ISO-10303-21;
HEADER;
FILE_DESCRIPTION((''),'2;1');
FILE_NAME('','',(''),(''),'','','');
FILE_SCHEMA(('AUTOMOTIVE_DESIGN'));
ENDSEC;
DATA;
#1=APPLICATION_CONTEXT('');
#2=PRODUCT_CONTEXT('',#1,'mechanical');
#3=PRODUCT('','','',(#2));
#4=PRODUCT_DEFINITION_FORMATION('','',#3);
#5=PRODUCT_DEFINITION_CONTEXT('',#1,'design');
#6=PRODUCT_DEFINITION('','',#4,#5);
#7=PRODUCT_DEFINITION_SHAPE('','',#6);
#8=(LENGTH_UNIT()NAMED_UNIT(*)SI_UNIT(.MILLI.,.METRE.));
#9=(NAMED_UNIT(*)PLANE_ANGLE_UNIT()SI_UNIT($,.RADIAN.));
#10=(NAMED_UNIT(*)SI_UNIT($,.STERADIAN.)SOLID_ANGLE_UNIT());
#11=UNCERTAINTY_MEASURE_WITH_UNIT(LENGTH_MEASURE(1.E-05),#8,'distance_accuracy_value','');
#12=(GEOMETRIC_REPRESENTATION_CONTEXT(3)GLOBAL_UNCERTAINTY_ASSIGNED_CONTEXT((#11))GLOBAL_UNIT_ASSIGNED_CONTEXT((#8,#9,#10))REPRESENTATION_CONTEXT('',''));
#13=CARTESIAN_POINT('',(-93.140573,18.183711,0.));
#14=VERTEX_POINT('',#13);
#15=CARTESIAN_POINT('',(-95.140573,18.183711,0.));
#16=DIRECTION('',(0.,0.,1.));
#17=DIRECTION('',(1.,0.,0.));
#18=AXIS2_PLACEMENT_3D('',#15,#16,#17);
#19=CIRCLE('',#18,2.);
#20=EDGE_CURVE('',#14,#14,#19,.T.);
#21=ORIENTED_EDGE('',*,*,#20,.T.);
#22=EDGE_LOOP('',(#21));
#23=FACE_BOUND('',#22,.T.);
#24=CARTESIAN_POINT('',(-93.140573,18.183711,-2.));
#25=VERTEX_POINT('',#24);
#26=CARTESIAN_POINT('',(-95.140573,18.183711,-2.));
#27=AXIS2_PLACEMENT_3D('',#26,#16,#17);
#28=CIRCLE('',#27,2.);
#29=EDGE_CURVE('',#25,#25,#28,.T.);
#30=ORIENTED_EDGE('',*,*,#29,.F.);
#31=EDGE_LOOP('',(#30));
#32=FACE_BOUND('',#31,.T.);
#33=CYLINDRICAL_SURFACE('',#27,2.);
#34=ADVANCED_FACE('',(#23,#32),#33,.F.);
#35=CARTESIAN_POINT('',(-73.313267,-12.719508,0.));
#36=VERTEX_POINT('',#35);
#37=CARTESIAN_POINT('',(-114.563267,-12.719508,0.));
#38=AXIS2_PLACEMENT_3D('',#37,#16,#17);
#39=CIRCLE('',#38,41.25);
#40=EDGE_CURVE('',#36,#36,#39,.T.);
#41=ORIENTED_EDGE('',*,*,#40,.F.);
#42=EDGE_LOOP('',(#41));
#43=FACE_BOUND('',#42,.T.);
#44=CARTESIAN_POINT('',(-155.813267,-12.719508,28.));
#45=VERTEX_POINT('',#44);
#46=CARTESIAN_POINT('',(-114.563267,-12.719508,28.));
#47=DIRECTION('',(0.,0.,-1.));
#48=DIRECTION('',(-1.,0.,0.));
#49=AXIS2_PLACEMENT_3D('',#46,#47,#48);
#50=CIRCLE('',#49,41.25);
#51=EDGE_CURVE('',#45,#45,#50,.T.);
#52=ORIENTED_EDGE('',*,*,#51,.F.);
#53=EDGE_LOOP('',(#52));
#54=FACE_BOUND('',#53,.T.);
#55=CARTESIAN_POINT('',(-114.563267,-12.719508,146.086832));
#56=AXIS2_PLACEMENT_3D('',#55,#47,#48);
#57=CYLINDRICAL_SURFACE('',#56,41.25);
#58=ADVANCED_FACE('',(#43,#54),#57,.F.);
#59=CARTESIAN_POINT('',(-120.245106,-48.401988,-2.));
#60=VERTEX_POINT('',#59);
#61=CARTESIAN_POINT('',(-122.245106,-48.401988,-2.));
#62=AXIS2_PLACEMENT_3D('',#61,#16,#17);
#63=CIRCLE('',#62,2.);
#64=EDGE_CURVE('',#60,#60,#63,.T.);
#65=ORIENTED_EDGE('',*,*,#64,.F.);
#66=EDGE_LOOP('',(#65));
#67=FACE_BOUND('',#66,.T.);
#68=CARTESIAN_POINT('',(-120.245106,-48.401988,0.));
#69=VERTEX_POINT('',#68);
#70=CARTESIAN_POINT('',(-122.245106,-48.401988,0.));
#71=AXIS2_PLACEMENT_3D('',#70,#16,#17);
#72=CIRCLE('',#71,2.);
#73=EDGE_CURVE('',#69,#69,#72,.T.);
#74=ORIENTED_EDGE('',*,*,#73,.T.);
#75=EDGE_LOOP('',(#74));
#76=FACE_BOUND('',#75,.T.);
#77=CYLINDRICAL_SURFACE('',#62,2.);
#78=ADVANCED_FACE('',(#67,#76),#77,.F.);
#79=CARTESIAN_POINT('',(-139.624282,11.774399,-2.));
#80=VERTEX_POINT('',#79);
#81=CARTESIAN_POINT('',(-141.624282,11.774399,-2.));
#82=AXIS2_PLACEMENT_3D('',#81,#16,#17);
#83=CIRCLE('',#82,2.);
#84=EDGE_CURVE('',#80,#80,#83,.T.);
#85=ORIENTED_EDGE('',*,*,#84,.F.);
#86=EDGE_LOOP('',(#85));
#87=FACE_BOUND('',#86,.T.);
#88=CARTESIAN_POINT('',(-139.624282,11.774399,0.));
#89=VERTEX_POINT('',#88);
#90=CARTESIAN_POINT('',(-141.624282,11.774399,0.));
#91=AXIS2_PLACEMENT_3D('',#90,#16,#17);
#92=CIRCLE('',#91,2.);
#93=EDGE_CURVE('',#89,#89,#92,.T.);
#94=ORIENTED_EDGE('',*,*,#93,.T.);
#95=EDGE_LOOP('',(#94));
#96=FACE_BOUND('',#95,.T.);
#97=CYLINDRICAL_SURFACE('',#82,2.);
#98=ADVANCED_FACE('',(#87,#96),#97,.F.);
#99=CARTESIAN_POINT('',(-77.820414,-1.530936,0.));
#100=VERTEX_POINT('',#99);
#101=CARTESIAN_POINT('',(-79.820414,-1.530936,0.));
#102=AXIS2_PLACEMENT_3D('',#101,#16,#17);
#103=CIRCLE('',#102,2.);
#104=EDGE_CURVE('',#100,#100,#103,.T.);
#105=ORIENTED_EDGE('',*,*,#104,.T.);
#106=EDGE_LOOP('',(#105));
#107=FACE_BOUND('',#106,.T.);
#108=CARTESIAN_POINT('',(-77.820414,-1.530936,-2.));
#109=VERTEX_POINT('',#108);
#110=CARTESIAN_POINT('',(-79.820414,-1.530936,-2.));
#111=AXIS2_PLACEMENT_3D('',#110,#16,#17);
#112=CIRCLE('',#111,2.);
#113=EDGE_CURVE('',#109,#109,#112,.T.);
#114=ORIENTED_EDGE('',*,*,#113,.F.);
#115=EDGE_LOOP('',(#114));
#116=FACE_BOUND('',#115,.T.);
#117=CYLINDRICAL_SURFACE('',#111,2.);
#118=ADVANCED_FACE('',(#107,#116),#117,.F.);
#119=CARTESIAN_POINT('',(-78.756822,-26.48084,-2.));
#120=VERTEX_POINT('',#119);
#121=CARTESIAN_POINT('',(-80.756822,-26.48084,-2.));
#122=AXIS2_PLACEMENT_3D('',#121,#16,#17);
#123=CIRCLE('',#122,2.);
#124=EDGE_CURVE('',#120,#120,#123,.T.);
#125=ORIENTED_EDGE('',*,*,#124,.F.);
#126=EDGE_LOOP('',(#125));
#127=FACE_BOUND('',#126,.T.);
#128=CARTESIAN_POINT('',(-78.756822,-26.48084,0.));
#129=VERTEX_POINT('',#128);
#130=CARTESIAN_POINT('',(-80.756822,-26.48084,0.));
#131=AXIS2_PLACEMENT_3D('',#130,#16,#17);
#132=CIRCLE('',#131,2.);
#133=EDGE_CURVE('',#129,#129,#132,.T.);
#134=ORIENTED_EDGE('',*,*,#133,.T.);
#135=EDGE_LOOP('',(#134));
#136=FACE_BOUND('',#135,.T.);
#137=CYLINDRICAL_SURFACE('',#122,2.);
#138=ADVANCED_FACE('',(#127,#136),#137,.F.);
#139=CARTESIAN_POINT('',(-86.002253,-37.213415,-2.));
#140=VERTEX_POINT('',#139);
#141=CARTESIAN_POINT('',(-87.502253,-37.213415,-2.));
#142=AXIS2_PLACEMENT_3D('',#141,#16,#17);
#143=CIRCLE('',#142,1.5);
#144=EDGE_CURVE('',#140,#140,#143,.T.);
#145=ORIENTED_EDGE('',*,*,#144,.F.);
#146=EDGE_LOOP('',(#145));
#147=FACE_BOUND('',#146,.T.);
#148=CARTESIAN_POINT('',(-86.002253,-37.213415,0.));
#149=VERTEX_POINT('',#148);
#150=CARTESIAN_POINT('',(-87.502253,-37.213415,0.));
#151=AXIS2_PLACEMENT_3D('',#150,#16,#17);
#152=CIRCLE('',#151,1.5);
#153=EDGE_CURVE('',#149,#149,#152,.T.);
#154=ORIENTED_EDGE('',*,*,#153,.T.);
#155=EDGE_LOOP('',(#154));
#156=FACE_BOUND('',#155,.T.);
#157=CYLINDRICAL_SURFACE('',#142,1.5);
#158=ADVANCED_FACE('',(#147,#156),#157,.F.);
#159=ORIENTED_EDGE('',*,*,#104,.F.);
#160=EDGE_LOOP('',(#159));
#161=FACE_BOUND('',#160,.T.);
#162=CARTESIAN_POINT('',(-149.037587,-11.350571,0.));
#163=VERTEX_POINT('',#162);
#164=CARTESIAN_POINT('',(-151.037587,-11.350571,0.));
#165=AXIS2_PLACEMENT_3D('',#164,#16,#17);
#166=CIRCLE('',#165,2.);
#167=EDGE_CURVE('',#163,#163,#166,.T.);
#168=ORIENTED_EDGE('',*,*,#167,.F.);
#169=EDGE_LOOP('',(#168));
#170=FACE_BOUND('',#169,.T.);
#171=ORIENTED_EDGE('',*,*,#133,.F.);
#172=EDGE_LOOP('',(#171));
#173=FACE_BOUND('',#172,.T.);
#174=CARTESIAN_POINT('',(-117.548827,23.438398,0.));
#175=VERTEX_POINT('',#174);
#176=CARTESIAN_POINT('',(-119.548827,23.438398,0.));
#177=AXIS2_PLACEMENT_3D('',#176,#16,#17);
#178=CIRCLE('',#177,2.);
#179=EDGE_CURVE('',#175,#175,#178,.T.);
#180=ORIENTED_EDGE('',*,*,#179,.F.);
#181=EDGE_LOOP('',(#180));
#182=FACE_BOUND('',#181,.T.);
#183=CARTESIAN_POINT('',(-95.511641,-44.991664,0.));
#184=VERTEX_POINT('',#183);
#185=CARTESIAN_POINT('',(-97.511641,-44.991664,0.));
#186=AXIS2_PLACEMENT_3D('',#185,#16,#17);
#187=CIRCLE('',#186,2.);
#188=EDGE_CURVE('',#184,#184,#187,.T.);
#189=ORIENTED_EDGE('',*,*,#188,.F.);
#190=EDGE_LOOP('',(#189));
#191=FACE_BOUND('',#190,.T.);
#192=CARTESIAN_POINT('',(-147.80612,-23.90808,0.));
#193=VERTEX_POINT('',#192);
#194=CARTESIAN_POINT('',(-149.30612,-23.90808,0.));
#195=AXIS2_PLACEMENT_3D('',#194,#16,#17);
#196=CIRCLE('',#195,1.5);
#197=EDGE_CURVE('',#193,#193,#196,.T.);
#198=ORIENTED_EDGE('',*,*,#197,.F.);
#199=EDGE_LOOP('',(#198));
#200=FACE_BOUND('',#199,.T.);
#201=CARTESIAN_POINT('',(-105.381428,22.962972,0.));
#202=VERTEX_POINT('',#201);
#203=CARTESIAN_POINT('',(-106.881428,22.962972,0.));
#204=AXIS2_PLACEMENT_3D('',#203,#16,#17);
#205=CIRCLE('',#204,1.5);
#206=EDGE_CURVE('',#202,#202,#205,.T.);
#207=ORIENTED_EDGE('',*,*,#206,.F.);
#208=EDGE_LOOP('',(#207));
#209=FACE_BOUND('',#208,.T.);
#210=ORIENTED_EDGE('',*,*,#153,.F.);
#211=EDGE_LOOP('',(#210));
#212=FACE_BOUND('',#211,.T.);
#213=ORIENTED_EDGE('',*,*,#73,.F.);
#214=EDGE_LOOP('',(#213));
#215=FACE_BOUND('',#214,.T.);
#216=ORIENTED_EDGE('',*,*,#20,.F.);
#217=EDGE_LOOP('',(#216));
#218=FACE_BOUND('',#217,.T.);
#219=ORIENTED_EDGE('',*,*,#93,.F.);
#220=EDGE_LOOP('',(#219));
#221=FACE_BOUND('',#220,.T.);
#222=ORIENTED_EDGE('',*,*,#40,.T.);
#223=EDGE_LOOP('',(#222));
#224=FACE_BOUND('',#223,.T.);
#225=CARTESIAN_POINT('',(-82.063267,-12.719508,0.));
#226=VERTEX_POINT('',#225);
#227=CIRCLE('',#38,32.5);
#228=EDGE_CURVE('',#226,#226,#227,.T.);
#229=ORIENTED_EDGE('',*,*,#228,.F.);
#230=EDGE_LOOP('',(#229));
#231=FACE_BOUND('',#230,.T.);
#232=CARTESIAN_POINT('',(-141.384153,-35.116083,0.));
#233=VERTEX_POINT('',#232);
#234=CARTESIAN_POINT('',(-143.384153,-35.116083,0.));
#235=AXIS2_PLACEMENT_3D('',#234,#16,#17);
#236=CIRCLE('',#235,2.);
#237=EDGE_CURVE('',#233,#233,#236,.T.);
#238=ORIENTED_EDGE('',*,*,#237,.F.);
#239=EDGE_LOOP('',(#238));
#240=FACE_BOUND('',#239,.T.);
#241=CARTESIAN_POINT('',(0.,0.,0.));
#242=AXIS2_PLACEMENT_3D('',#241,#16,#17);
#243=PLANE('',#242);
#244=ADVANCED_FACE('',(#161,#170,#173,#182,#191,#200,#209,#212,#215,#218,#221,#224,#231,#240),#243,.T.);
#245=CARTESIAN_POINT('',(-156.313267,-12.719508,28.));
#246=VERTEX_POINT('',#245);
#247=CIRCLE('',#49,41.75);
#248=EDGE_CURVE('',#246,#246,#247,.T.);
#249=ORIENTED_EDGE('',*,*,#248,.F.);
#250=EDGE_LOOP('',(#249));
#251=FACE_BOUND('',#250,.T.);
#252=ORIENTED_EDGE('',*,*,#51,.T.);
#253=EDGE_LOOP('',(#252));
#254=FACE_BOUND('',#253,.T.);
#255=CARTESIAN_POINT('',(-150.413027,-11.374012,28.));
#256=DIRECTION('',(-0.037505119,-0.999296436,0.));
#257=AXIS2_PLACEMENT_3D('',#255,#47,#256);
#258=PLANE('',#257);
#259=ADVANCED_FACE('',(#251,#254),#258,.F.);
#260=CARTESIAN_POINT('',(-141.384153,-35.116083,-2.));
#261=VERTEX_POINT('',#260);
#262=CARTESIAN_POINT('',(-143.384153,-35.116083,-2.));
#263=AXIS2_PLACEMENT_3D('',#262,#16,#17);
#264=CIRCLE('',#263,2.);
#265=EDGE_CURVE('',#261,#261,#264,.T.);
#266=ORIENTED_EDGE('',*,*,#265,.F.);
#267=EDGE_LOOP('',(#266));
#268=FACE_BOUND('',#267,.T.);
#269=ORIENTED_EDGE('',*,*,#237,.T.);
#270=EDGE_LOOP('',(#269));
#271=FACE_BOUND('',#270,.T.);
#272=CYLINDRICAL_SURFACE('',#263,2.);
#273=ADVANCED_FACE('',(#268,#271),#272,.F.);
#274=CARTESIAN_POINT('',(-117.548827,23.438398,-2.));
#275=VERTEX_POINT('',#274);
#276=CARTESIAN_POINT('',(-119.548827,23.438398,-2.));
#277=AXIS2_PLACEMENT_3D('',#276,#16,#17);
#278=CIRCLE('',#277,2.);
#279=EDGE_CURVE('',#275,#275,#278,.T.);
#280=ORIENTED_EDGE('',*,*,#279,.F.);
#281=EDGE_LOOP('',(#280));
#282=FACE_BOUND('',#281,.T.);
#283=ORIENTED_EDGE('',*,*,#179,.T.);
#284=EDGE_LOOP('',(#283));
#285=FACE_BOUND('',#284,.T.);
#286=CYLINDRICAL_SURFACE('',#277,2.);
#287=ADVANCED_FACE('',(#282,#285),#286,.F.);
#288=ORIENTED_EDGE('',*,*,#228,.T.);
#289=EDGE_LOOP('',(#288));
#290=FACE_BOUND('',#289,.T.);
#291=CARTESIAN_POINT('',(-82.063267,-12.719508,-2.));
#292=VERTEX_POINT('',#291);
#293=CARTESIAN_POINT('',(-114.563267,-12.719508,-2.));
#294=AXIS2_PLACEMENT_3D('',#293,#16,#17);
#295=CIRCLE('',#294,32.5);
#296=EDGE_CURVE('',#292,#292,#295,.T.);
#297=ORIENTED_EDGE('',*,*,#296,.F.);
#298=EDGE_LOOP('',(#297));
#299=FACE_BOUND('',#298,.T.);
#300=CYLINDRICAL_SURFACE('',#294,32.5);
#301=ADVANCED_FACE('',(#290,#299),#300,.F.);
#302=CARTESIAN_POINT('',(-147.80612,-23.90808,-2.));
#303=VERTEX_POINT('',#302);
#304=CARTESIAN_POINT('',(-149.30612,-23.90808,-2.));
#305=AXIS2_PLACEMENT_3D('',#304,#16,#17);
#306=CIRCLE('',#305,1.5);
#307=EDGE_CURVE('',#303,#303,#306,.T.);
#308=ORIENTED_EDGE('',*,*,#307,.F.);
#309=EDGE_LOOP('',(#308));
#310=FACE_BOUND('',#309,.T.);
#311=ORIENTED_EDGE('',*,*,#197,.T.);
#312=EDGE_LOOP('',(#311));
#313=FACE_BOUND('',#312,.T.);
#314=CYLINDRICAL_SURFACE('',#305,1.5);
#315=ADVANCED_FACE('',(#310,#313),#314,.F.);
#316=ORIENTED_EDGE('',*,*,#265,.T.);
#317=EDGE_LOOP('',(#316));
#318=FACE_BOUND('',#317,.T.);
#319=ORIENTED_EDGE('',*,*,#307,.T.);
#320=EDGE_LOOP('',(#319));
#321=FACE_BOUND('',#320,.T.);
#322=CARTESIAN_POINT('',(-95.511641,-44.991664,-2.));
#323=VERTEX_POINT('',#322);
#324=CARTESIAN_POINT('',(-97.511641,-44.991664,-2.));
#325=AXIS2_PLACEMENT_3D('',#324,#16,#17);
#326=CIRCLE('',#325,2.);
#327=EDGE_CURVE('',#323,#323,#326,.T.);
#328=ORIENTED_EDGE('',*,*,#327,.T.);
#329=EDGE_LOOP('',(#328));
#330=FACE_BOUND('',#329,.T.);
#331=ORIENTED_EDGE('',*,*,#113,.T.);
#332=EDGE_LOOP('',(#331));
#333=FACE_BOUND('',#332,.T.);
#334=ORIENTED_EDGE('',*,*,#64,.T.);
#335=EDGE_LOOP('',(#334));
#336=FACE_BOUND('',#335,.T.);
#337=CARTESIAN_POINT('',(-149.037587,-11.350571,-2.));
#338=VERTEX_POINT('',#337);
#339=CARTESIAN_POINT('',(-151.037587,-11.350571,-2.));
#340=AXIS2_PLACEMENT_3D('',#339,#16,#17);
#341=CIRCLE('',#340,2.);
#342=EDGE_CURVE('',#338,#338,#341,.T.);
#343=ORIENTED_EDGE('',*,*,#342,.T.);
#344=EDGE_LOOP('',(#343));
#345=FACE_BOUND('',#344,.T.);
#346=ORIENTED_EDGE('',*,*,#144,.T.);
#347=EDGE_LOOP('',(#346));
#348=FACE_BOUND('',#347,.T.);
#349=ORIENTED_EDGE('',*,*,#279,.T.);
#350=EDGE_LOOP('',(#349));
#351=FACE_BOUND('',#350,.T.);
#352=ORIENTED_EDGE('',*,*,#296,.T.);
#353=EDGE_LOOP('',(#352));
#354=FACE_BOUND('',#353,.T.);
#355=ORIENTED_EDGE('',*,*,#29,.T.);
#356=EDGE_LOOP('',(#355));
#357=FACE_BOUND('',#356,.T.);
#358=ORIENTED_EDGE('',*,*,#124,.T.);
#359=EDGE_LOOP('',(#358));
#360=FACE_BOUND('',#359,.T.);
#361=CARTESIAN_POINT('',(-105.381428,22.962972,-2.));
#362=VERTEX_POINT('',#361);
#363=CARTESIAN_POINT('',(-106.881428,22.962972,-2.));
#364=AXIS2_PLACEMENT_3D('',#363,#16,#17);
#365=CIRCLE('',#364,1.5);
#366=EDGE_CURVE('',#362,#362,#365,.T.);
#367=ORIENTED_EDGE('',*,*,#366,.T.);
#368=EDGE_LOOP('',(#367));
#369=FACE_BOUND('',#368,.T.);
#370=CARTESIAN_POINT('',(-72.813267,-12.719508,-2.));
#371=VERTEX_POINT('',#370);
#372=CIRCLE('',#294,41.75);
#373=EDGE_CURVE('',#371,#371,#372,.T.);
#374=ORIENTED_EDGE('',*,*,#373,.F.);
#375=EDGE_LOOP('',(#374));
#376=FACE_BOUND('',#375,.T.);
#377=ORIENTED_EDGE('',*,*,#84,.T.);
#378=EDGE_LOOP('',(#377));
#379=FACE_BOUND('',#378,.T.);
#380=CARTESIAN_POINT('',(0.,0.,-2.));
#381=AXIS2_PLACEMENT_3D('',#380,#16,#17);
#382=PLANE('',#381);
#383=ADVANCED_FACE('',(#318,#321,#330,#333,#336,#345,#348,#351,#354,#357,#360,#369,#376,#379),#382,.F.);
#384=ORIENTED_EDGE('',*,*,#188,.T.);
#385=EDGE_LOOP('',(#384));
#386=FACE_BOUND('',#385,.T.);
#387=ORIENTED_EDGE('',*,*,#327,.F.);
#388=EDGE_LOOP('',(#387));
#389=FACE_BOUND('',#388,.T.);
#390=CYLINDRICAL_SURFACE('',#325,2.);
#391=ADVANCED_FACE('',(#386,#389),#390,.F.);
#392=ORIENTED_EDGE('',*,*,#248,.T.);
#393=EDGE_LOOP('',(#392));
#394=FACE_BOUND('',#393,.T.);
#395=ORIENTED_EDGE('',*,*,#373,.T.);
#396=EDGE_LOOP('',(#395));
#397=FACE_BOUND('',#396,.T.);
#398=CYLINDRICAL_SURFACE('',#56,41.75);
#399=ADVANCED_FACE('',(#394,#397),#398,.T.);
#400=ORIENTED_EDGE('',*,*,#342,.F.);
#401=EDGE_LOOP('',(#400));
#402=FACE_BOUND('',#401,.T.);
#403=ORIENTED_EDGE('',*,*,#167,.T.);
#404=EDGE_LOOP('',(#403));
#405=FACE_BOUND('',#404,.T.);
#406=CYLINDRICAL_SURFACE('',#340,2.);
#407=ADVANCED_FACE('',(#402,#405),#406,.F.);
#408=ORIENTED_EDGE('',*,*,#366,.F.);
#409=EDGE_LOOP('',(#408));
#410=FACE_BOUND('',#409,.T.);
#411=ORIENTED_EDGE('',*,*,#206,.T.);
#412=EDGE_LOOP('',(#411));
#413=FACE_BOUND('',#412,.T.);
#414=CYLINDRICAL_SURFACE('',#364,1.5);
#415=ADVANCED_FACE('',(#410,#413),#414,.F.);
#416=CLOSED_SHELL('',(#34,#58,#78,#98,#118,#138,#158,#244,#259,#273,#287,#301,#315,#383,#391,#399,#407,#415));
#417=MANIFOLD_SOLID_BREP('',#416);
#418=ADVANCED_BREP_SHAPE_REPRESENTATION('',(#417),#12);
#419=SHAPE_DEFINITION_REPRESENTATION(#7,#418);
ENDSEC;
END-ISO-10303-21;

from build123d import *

# Parameters (mm, degrees)
SKETCH2_R           = 41.75
SKETCH2_R_2         = 41.25
BOSS_EXTRUDE1_DEPTH = 28
BOSS_EXTRUDE2_START = -2
SKETCH2_3_R         = 41.75
SKETCH2_3_R_2       = 2
SKETCH2_3_R_3       = 1.5
SKETCH2_3_R_4       = 32.5
BOSS_EXTRUDE2_DEPTH = 2


with BuildPart() as part:
    # Sketch2 → Boss-Extrude1 (new body)
    with BuildSketch(Plane.XY):
        with Locations(Location((-114.563267105, -12.719508093, 0), (0, 0, 180))):
            Circle(SKETCH2_R)
        with Locations(Location((-114.563267105, -12.719508093, 0), (0, 0, 180))):
            Circle(SKETCH2_R_2, mode=Mode.SUBTRACT)
    extrude(amount=BOSS_EXTRUDE1_DEPTH)

    # Sketch2<3> → Boss-Extrude2 (add)
    with BuildSketch(Plane.XY.offset(BOSS_EXTRUDE2_START)):
        with Locations(Location((-114.563267105, -12.719508093, 0), (0, 0, 180))):
            Circle(SKETCH2_3_R)
        with Locations((-143.38415281, -35.116082543)):
            Circle(SKETCH2_3_R_2, mode=Mode.SUBTRACT)
        with Locations((-122.245105889, -48.401987728)):
            Circle(SKETCH2_3_R_2, mode=Mode.SUBTRACT)
        with Locations((-149.30612033, -23.908080375)):
            Circle(SKETCH2_3_R_3, mode=Mode.SUBTRACT)
        with Locations((-97.511641226, -44.991664124)):
            Circle(SKETCH2_3_R_2, mode=Mode.SUBTRACT)
        with Locations((-87.502252663, -37.213415445)):
            Circle(SKETCH2_3_R_3, mode=Mode.SUBTRACT)
        with Locations((-80.756821819, -26.480840048)):
            Circle(SKETCH2_3_R_2, mode=Mode.SUBTRACT)
        with Locations((-151.037587002, -11.350571264)):
            Circle(SKETCH2_3_R_2, mode=Mode.SUBTRACT)
        with Locations((-141.624281546, 11.77439926)):
            Circle(SKETCH2_3_R_2, mode=Mode.SUBTRACT)
        with Locations((-119.548826684, 23.438398314)):
            Circle(SKETCH2_3_R_2, mode=Mode.SUBTRACT)
        with Locations((-114.563267105, -12.719508093)):
            Circle(SKETCH2_3_R_4, mode=Mode.SUBTRACT)
        with Locations((-79.820413879, -1.53093581)):
            Circle(SKETCH2_3_R_2, mode=Mode.SUBTRACT)
        with Locations((-95.140573086, 18.183711109)):
            Circle(SKETCH2_3_R_2, mode=Mode.SUBTRACT)
        with Locations((-106.88142832, 22.962971542)):
            Circle(SKETCH2_3_R_3, mode=Mode.SUBTRACT)
    extrude(amount=BOSS_EXTRUDE2_DEPTH)


solid = part.part
